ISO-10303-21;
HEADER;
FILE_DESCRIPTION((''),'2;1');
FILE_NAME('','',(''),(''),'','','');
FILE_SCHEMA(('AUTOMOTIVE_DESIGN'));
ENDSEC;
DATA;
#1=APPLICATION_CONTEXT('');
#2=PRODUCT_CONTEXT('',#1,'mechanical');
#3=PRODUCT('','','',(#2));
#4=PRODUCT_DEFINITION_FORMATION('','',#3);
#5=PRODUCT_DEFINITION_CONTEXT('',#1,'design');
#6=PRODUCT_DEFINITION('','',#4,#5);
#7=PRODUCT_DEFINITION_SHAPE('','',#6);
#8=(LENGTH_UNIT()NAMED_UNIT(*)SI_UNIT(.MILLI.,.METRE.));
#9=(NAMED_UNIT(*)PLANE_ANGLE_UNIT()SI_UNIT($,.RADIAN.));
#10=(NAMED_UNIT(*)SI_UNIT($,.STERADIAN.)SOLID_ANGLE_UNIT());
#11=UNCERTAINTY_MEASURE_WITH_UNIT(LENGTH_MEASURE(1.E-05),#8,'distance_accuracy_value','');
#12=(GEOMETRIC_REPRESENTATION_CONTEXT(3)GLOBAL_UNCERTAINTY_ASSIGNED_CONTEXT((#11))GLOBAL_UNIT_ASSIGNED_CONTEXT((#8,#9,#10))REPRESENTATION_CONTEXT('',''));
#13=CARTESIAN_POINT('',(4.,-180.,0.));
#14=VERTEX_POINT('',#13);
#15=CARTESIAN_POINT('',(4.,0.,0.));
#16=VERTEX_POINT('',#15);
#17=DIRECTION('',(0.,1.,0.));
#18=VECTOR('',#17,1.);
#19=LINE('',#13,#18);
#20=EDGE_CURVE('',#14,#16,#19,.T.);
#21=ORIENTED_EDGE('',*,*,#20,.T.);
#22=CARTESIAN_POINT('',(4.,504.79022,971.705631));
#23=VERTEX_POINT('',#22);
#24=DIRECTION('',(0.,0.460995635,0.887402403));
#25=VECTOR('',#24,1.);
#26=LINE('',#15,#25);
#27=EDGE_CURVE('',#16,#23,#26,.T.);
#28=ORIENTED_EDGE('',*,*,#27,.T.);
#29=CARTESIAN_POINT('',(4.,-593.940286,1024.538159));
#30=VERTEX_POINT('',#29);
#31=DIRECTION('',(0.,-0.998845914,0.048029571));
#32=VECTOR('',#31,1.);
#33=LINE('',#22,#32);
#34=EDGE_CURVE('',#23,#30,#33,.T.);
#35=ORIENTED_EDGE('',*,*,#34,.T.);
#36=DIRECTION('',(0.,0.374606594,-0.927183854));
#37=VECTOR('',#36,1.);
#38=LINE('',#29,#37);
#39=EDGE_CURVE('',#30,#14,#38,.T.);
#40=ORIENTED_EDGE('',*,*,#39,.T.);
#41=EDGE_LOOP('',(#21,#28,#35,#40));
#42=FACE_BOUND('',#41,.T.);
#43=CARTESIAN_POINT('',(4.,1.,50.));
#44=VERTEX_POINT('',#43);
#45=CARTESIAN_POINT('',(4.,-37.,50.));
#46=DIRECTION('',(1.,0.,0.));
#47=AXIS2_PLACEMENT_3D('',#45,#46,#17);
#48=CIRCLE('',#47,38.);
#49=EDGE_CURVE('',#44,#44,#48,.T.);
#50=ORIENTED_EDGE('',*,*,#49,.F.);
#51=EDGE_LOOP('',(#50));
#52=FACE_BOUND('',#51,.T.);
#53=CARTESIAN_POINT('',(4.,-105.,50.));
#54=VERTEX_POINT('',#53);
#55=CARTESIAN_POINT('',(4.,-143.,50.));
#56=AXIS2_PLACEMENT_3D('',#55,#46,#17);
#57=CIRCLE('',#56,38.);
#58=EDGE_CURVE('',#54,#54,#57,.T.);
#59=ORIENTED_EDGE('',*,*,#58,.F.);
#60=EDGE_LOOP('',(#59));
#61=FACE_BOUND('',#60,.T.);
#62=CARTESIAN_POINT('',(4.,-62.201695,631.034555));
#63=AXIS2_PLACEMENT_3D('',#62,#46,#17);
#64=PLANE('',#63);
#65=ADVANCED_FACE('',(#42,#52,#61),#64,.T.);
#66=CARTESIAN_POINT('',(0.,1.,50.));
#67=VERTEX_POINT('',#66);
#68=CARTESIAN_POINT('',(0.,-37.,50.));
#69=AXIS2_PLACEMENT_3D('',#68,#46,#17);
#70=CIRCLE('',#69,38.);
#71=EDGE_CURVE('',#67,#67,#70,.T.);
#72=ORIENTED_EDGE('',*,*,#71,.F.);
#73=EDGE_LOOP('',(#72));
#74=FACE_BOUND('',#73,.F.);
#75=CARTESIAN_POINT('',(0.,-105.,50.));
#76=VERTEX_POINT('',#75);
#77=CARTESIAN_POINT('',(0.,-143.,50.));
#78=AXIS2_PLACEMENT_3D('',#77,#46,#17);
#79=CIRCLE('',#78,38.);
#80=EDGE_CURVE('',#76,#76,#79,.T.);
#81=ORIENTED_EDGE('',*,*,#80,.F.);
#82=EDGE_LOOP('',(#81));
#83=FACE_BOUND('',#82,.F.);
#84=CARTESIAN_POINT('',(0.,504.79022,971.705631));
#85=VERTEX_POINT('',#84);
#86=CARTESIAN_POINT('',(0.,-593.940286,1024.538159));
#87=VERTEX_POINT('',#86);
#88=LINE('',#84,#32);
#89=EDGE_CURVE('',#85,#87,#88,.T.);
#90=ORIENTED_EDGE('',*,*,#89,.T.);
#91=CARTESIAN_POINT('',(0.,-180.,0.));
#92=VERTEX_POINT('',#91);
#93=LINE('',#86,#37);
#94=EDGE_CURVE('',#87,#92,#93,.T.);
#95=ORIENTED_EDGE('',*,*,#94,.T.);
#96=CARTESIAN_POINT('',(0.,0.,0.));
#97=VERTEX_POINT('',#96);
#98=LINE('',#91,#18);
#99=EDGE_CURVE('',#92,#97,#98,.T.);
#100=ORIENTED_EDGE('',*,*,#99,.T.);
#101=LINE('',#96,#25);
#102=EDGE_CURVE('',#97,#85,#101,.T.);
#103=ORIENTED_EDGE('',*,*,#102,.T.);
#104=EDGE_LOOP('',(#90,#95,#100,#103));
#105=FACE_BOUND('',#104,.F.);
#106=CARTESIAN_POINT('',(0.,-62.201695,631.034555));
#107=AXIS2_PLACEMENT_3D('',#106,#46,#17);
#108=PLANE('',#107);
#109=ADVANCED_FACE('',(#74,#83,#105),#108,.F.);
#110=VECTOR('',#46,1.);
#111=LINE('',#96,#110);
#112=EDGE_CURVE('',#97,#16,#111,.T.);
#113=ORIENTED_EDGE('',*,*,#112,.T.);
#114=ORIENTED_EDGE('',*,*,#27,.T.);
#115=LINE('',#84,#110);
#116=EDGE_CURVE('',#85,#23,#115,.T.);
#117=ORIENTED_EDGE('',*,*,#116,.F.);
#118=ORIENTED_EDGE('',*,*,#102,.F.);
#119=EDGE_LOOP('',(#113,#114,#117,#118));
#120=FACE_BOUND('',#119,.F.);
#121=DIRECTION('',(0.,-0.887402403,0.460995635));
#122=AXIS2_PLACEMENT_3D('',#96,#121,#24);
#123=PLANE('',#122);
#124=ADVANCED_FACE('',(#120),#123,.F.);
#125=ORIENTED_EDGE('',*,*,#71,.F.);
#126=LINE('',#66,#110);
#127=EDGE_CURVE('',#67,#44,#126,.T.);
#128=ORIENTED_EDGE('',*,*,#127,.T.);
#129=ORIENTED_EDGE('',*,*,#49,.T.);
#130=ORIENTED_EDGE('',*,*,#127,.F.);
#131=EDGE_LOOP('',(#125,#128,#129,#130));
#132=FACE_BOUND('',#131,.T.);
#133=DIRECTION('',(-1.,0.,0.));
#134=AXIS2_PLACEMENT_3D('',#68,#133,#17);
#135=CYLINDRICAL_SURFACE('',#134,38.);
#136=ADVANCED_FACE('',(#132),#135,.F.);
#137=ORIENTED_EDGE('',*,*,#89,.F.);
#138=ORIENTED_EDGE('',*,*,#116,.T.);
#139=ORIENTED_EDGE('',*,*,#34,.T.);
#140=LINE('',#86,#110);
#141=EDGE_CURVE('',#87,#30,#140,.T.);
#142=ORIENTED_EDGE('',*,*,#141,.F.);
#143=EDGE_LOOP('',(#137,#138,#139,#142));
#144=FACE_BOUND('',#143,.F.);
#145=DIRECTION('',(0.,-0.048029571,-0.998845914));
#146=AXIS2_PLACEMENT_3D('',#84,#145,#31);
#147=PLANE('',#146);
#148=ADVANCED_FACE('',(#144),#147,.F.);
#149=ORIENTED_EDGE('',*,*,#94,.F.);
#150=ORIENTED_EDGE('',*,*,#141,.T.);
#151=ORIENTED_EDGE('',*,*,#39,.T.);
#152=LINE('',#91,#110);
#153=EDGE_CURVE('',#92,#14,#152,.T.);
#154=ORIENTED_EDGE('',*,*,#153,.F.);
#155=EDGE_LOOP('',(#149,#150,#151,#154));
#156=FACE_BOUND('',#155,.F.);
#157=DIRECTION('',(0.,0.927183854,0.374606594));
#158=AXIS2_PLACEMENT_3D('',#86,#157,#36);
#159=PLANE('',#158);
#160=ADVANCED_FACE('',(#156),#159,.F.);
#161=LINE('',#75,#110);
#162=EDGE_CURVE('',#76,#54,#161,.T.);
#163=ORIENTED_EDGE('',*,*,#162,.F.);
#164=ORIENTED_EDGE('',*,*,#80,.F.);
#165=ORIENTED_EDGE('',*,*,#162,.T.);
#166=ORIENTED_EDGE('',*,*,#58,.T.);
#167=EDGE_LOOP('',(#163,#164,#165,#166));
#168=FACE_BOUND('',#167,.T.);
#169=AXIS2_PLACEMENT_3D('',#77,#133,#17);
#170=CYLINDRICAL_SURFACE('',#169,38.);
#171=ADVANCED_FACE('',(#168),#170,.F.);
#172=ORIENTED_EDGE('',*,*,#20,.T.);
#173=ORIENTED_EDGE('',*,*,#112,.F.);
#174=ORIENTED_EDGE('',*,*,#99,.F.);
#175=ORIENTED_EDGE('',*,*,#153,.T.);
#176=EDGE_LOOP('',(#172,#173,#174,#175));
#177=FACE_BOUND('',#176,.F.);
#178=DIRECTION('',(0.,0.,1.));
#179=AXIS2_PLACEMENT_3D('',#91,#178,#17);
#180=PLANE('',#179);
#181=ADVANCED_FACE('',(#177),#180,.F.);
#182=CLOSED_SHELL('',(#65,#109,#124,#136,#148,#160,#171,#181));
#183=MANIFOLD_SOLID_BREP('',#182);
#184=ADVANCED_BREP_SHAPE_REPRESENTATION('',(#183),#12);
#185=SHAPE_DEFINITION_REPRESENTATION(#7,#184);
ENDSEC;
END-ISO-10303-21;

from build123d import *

# Parameters (mm, degrees)
F0_R     = 38
F1_DEPTH = 4


with BuildPart() as f1:
    # F0 (on Right) → F1 (new body)
    with BuildSketch(Plane.YZ):
        Polygon((-180, 0), (0, 0), (504.79022, 971.705631), (-593.940286, 1024.538159), align=None)
        with Locations((-143, 50)):
            Circle(F0_R, mode=Mode.SUBTRACT)
        with Locations((-37, 50)):
            Circle(F0_R, mode=Mode.SUBTRACT)
    extrude(amount=F1_DEPTH)


solid = f1.part
